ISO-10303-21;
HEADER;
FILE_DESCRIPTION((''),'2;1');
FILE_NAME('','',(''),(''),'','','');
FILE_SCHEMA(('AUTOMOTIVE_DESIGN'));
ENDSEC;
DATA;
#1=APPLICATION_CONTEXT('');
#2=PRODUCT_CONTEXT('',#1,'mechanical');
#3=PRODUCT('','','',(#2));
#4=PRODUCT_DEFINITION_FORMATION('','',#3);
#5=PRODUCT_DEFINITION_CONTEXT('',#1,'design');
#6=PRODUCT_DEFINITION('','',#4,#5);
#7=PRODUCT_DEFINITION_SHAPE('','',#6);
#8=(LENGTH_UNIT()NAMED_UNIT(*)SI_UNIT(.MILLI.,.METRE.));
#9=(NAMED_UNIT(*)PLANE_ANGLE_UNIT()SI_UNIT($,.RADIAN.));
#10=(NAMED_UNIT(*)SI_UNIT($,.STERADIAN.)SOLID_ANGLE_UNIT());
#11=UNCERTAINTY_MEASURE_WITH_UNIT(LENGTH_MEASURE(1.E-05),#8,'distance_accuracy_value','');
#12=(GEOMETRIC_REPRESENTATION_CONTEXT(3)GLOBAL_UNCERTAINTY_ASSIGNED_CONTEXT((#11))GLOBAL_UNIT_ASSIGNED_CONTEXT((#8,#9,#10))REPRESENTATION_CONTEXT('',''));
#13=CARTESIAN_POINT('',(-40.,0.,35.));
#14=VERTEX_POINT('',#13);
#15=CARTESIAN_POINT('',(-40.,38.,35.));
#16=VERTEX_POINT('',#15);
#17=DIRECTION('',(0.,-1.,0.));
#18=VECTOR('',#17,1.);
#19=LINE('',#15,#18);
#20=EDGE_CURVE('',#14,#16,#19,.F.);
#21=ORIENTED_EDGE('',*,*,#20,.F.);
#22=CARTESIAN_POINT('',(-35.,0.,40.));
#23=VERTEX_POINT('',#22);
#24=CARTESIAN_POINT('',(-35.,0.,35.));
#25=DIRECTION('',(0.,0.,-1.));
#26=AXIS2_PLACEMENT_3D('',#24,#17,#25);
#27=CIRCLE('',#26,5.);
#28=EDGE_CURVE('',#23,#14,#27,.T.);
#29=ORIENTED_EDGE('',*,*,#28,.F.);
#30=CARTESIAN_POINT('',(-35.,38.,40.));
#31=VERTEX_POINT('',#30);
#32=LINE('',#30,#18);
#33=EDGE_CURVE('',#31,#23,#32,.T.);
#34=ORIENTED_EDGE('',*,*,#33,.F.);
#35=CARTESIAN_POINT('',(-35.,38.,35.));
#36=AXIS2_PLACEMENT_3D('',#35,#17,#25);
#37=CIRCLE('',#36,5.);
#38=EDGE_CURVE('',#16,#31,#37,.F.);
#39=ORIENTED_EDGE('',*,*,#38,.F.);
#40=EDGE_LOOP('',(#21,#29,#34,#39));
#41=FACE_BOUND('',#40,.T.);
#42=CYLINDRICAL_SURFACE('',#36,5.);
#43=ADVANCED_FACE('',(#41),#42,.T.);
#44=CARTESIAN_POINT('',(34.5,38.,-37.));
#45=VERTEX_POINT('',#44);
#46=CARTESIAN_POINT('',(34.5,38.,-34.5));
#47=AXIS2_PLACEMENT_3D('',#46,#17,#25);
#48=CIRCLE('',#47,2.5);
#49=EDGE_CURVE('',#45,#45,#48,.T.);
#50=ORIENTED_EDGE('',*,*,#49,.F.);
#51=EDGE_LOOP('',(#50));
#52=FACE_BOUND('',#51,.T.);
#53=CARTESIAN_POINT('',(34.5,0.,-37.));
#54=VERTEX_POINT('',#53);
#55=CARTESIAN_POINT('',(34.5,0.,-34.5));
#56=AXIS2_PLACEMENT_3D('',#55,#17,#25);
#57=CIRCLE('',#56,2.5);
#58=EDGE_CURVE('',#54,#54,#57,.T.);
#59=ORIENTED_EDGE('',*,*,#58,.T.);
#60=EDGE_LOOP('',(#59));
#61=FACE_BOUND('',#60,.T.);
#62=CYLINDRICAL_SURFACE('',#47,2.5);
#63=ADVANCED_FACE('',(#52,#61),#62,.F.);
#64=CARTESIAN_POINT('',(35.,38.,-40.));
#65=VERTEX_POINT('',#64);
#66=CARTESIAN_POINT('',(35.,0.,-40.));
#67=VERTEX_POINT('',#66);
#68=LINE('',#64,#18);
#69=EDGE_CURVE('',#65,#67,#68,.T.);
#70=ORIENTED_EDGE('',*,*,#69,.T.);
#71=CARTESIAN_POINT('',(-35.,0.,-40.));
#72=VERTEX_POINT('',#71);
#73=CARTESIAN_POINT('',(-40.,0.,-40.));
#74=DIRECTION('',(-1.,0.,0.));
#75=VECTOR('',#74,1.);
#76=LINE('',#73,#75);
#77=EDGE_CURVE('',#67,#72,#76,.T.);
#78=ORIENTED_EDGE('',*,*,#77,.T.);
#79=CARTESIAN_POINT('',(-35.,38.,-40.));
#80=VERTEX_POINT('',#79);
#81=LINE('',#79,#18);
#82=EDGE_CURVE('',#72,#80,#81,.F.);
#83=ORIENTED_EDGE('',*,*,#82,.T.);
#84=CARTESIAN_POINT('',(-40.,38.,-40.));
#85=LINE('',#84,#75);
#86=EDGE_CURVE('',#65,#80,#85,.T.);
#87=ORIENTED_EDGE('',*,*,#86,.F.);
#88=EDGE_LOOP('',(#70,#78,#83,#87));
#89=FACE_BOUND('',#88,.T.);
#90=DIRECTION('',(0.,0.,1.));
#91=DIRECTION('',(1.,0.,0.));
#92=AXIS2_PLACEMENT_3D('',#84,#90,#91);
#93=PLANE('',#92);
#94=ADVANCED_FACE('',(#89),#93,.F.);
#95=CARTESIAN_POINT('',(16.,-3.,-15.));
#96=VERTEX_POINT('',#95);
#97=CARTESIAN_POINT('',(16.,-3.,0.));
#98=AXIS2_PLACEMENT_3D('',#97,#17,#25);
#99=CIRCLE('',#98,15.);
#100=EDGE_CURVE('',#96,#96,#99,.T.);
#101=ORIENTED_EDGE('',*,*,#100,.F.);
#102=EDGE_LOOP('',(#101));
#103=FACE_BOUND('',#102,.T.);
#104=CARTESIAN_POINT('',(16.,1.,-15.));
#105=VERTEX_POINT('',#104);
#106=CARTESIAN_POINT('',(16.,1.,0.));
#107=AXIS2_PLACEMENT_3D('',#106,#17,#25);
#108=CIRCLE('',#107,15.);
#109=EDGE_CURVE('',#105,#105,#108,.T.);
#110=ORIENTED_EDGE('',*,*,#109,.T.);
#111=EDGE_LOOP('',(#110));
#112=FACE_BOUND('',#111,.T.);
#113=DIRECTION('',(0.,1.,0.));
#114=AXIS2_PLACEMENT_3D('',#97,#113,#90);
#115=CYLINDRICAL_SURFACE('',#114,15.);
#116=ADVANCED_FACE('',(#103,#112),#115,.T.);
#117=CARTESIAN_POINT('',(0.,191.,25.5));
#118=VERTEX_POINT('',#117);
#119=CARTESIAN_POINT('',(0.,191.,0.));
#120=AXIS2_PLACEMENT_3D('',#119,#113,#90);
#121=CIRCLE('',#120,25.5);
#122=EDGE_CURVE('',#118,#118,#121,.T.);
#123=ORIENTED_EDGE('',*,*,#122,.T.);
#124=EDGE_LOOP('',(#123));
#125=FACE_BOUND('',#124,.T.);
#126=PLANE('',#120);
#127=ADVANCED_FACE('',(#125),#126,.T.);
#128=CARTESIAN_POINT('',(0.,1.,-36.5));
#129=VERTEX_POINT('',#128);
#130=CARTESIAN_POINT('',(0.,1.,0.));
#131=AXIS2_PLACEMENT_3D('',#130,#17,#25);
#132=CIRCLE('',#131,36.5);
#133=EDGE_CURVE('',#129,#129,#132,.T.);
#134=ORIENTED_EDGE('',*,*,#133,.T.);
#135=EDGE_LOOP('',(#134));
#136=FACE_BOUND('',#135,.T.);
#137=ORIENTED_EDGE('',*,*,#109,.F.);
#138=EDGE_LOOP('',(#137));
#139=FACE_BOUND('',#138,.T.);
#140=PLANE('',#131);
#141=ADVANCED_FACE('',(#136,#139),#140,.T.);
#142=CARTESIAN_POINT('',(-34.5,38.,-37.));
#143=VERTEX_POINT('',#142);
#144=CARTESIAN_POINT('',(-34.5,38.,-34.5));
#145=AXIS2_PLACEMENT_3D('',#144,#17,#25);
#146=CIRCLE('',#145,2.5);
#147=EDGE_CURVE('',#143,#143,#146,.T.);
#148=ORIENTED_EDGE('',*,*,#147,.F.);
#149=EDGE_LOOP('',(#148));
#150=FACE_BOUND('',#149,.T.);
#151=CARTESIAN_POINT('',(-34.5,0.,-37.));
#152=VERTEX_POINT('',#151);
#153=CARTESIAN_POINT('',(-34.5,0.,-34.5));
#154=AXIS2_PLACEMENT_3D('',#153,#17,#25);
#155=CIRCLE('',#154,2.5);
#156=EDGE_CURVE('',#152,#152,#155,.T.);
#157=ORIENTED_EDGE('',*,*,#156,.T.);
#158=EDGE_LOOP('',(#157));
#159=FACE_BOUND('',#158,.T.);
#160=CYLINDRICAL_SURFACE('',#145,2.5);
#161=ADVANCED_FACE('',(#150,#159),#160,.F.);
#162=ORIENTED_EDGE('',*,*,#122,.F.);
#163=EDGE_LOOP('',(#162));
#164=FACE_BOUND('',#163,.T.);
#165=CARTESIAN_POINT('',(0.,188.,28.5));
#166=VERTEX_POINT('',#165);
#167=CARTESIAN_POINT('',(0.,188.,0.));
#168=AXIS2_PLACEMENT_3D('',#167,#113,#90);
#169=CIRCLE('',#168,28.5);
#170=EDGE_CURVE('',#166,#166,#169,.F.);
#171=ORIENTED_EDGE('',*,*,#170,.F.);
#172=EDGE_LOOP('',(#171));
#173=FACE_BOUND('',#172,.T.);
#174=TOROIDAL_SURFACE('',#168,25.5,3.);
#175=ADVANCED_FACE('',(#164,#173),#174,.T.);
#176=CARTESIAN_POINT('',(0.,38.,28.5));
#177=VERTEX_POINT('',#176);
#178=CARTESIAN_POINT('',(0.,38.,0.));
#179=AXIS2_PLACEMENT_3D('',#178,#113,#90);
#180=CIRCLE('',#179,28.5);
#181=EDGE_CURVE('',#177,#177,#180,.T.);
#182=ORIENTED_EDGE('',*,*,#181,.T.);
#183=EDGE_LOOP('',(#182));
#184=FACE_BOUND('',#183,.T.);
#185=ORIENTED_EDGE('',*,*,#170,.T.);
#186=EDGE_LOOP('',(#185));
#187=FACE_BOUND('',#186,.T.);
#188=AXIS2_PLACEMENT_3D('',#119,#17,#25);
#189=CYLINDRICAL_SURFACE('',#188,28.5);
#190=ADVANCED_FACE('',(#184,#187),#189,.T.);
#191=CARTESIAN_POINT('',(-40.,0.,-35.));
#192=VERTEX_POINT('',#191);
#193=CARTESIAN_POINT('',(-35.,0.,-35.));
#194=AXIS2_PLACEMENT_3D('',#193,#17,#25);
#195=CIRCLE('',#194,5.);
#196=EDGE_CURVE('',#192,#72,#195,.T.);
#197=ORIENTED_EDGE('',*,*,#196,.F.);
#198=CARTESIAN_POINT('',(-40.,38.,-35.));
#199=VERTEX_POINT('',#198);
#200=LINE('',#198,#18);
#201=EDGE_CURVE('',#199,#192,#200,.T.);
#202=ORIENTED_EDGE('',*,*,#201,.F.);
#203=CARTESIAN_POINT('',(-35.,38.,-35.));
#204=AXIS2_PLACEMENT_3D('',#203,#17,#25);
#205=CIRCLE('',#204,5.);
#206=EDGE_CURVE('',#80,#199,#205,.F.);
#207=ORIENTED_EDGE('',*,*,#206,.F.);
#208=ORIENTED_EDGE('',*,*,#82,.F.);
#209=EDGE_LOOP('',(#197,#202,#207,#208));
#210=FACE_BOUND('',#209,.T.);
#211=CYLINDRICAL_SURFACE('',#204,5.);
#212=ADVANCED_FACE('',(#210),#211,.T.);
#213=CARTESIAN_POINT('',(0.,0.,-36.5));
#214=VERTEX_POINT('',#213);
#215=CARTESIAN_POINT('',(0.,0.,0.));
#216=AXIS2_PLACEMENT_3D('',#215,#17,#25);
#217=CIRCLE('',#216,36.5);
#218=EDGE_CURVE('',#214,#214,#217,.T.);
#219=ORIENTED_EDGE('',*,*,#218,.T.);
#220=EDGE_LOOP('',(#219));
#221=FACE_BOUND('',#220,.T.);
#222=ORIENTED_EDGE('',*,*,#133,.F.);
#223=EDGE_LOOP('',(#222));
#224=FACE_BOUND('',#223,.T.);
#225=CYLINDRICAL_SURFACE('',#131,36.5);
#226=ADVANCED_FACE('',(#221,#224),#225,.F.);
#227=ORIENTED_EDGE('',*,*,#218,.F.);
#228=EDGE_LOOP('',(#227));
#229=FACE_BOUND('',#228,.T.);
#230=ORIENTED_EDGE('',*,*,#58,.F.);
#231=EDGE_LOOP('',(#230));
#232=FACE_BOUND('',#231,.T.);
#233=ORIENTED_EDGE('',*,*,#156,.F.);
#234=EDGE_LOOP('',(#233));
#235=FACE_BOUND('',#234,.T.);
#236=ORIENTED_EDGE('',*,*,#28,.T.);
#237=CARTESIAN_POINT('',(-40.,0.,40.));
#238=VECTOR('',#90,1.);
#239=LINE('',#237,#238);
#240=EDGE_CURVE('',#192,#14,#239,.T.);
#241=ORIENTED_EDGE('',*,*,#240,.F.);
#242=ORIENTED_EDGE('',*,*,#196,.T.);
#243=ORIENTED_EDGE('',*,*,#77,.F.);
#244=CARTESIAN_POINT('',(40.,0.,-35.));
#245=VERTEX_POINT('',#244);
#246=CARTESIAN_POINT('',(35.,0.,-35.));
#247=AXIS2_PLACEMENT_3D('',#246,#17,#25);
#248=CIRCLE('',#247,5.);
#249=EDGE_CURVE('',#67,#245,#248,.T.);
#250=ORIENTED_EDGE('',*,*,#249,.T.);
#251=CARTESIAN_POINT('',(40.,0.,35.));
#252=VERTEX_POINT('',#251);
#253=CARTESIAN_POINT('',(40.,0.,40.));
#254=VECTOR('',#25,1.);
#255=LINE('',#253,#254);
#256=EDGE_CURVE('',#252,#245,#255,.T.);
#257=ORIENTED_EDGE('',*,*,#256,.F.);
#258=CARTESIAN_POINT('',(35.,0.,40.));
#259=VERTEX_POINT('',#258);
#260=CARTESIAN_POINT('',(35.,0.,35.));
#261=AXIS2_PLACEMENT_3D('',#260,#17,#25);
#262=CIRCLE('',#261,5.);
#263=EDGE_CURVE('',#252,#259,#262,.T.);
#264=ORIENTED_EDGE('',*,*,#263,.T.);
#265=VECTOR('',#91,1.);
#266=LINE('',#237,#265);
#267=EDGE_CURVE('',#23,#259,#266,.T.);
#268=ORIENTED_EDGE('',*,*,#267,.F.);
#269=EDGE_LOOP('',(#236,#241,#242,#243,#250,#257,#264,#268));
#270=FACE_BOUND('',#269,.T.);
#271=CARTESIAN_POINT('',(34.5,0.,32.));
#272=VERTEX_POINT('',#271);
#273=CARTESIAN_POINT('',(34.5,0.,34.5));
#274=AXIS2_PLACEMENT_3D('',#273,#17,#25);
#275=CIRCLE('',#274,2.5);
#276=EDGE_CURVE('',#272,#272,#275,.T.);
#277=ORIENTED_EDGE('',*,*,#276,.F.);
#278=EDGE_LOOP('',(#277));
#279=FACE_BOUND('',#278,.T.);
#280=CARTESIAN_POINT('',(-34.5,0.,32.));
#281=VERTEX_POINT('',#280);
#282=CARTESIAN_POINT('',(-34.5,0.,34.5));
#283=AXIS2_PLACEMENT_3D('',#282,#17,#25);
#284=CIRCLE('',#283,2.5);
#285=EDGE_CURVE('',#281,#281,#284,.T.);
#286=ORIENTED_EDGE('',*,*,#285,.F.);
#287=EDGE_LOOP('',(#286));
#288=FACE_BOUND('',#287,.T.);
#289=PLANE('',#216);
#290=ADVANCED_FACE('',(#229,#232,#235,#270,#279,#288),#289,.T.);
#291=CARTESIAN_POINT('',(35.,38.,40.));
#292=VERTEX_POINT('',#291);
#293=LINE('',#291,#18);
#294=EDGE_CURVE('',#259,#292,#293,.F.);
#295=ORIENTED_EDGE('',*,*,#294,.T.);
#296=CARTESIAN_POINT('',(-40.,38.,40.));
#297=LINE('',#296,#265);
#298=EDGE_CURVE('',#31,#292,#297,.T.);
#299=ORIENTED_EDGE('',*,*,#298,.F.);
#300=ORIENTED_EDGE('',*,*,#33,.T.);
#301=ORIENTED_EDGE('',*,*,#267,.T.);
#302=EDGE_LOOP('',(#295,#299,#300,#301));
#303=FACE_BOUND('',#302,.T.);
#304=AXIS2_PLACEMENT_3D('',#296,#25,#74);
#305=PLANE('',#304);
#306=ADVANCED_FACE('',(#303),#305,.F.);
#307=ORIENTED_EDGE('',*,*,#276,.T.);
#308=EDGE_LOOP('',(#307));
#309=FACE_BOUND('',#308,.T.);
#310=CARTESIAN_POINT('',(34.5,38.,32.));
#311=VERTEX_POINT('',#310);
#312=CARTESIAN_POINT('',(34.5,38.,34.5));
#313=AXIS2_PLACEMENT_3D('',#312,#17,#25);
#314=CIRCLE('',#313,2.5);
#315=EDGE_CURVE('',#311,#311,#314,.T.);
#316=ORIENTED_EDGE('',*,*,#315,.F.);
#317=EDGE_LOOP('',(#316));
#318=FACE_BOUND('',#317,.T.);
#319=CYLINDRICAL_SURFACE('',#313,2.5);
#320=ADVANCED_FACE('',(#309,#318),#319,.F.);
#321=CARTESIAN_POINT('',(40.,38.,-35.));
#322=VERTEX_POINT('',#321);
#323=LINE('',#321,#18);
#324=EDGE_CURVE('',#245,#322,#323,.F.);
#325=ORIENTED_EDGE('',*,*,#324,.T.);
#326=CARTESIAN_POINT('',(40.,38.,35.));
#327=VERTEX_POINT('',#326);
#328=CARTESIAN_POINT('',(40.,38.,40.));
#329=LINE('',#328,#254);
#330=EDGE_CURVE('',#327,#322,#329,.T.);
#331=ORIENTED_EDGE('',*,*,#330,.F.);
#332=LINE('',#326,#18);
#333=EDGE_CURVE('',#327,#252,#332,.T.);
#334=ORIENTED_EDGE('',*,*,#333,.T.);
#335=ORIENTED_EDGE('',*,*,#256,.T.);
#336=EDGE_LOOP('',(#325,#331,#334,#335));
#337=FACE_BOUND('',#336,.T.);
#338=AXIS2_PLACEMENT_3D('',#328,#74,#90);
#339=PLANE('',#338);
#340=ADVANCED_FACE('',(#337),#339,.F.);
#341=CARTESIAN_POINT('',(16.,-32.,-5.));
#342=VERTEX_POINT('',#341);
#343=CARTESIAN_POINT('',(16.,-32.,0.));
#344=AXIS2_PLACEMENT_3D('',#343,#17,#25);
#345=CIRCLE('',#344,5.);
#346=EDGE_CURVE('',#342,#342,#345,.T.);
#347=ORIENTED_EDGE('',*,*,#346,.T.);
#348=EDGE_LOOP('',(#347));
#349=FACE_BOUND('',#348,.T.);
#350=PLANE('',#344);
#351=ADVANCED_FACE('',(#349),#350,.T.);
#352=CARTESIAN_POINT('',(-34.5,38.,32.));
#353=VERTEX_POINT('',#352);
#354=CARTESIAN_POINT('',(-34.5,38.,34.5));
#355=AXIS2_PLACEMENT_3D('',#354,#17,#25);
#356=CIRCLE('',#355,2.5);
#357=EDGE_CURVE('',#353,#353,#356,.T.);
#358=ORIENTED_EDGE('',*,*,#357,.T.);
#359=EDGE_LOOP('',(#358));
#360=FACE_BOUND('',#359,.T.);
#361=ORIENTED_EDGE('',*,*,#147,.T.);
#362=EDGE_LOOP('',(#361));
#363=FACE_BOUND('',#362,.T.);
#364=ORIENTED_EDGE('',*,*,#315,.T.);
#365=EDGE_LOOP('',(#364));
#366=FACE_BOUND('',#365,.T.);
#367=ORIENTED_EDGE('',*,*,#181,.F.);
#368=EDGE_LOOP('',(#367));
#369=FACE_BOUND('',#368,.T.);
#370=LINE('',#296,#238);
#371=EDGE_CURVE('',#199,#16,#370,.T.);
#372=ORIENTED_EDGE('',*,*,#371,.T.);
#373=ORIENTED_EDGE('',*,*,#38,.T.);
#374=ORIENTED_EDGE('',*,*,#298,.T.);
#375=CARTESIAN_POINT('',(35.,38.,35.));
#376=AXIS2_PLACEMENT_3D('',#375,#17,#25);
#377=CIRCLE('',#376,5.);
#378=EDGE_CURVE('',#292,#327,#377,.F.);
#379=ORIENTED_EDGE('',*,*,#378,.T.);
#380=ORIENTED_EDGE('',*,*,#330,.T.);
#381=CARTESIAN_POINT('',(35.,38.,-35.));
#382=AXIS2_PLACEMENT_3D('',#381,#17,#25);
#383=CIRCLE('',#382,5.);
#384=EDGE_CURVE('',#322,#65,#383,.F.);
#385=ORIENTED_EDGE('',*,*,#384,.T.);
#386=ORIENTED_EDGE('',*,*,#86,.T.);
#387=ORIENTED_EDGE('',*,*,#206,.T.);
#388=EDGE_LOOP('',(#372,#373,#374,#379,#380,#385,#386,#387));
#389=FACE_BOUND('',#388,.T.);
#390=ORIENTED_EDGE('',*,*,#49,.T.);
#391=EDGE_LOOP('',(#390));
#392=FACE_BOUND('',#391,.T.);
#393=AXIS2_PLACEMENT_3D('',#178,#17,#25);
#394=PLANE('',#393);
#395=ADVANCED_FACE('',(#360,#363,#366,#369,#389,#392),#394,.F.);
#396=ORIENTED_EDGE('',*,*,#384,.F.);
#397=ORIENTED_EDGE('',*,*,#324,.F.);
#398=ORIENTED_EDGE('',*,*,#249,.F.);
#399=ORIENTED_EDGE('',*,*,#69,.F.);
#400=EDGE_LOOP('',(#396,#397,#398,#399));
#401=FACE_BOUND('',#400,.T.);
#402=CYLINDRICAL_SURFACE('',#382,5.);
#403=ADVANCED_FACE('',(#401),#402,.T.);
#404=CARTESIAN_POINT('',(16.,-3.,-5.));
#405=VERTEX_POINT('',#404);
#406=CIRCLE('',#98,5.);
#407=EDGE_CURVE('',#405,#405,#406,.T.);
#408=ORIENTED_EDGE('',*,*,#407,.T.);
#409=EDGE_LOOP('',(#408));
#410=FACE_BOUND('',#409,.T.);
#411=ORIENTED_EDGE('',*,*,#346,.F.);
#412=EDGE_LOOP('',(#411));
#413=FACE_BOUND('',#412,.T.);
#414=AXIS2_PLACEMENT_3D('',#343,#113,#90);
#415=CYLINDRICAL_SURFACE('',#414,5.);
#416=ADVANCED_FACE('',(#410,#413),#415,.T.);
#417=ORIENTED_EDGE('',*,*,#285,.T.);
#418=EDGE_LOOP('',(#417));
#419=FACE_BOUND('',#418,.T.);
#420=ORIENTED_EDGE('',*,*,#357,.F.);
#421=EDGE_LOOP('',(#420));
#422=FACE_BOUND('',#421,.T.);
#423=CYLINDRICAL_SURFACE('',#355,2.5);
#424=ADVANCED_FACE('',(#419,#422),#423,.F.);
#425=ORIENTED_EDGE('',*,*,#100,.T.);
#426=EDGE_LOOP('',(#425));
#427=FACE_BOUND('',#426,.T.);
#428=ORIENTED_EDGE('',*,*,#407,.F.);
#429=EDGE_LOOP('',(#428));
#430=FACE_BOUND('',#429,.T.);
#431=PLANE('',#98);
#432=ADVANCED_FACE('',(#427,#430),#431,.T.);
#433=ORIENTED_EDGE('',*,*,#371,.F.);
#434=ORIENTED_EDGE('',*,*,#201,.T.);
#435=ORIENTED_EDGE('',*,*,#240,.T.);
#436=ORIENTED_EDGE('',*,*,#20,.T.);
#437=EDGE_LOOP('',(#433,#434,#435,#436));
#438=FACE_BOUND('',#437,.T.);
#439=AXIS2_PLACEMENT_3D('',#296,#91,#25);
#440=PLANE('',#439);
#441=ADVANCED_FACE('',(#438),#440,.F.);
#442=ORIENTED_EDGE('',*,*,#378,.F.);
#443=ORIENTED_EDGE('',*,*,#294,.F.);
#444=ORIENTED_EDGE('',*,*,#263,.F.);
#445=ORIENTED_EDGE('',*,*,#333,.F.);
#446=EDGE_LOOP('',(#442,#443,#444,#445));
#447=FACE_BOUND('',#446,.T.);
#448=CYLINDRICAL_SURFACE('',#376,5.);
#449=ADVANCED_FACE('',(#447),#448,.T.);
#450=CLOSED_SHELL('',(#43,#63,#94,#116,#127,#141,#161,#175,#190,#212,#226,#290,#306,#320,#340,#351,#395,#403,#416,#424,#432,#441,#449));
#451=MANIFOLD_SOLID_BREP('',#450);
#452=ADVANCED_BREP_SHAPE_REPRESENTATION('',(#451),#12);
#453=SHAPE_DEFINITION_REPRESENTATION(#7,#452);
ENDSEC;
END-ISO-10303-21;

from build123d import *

# Parameters (mm, degrees)
SKETCH1_W           = 80
SKETCH1_H           = 80
BOSS_EXTRUDE1_DEPTH = 38
SKETCH2_R           = 28.5
BOSS_EXTRUDE2_DEPTH = 153
SKETCH3_R           = 36.5
CUT_EXTRUDE1_DEPTH  = 1
SKETCH4_R           = 15
BOSS_EXTRUDE3_DEPTH = 4
SKETCH5_R           = 5
BOSS_EXTRUDE4_DEPTH = 29
FILLET1_R           = 5
SKETCH6_R           = 2.5
CUT_EXTRUDE2_DEPTH  = 38
SKETCH7_R           = 2.5
CUT_EXTRUDE3_DEPTH  = 38
FILLET2_R           = 3


with BuildPart() as part:
    # Sketch1 → Boss-Extrude1 (new body)
    with BuildSketch(Plane(origin=(0, 0, 0), x_dir=(1, 0, 0), z_dir=(0, 1, 0))):
        Rectangle(SKETCH1_W, SKETCH1_H)
    extrude(amount=BOSS_EXTRUDE1_DEPTH)

    # Sketch2 → Boss-Extrude2 (add)
    with BuildSketch(Plane(origin=(0, 38, 0), x_dir=(1, 0, 0), z_dir=(0, 1, 0))):
        Circle(SKETCH2_R)
    extrude(amount=BOSS_EXTRUDE2_DEPTH)

    # Sketch3 → Cut-Extrude1 (cut)
    with BuildSketch(Plane.XZ):
        Circle(SKETCH3_R)
    extrude(amount=-CUT_EXTRUDE1_DEPTH, mode=Mode.SUBTRACT)

    # Sketch4 → Boss-Extrude3 (add)
    with BuildSketch(Plane.XZ.offset(-1)):
        with Locations((16, 0)):
            Circle(SKETCH4_R)
    extrude(amount=BOSS_EXTRUDE3_DEPTH)

    # Sketch5 → Boss-Extrude4 (add)
    with BuildSketch(Plane.XZ.offset(3)):
        with Locations((16, 0)):
            Circle(SKETCH5_R)
    extrude(amount=BOSS_EXTRUDE4_DEPTH)

    # Fillet1
    fillet1_edges = [part.edges().sort_by_distance(p)[0] for p in [
        (40, 19, 40),
        (-40, 19, 40),
        (-40, 19, -40),
        (40, 19, -40),
    ]]
    fillet(fillet1_edges, radius=FILLET1_R)

    # Sketch6 → Cut-Extrude2 (cut)
    with BuildSketch(Plane.XZ):
        with Locations((-34.5, 34.5)):
            Circle(SKETCH6_R)
    extrude(amount=-CUT_EXTRUDE2_DEPTH, mode=Mode.SUBTRACT)

    # Sketch7 → Cut-Extrude3 (cut)
    with BuildSketch(Plane.XZ):
        with Locations((34.5, 34.5)):
            Circle(SKETCH7_R)
        with Locations((34.5, -34.5)):
            Circle(SKETCH7_R)
        with Locations((-34.5, -34.5)):
            Circle(SKETCH7_R)
    extrude(amount=-CUT_EXTRUDE3_DEPTH, mode=Mode.SUBTRACT)

    # Fillet2
    fillet2_edges = [part.edges().sort_by_distance(p)[0] for p in [
        (-28.5, 191, 0),
    ]]
    fillet(fillet2_edges, radius=FILLET2_R)


solid = part.part
